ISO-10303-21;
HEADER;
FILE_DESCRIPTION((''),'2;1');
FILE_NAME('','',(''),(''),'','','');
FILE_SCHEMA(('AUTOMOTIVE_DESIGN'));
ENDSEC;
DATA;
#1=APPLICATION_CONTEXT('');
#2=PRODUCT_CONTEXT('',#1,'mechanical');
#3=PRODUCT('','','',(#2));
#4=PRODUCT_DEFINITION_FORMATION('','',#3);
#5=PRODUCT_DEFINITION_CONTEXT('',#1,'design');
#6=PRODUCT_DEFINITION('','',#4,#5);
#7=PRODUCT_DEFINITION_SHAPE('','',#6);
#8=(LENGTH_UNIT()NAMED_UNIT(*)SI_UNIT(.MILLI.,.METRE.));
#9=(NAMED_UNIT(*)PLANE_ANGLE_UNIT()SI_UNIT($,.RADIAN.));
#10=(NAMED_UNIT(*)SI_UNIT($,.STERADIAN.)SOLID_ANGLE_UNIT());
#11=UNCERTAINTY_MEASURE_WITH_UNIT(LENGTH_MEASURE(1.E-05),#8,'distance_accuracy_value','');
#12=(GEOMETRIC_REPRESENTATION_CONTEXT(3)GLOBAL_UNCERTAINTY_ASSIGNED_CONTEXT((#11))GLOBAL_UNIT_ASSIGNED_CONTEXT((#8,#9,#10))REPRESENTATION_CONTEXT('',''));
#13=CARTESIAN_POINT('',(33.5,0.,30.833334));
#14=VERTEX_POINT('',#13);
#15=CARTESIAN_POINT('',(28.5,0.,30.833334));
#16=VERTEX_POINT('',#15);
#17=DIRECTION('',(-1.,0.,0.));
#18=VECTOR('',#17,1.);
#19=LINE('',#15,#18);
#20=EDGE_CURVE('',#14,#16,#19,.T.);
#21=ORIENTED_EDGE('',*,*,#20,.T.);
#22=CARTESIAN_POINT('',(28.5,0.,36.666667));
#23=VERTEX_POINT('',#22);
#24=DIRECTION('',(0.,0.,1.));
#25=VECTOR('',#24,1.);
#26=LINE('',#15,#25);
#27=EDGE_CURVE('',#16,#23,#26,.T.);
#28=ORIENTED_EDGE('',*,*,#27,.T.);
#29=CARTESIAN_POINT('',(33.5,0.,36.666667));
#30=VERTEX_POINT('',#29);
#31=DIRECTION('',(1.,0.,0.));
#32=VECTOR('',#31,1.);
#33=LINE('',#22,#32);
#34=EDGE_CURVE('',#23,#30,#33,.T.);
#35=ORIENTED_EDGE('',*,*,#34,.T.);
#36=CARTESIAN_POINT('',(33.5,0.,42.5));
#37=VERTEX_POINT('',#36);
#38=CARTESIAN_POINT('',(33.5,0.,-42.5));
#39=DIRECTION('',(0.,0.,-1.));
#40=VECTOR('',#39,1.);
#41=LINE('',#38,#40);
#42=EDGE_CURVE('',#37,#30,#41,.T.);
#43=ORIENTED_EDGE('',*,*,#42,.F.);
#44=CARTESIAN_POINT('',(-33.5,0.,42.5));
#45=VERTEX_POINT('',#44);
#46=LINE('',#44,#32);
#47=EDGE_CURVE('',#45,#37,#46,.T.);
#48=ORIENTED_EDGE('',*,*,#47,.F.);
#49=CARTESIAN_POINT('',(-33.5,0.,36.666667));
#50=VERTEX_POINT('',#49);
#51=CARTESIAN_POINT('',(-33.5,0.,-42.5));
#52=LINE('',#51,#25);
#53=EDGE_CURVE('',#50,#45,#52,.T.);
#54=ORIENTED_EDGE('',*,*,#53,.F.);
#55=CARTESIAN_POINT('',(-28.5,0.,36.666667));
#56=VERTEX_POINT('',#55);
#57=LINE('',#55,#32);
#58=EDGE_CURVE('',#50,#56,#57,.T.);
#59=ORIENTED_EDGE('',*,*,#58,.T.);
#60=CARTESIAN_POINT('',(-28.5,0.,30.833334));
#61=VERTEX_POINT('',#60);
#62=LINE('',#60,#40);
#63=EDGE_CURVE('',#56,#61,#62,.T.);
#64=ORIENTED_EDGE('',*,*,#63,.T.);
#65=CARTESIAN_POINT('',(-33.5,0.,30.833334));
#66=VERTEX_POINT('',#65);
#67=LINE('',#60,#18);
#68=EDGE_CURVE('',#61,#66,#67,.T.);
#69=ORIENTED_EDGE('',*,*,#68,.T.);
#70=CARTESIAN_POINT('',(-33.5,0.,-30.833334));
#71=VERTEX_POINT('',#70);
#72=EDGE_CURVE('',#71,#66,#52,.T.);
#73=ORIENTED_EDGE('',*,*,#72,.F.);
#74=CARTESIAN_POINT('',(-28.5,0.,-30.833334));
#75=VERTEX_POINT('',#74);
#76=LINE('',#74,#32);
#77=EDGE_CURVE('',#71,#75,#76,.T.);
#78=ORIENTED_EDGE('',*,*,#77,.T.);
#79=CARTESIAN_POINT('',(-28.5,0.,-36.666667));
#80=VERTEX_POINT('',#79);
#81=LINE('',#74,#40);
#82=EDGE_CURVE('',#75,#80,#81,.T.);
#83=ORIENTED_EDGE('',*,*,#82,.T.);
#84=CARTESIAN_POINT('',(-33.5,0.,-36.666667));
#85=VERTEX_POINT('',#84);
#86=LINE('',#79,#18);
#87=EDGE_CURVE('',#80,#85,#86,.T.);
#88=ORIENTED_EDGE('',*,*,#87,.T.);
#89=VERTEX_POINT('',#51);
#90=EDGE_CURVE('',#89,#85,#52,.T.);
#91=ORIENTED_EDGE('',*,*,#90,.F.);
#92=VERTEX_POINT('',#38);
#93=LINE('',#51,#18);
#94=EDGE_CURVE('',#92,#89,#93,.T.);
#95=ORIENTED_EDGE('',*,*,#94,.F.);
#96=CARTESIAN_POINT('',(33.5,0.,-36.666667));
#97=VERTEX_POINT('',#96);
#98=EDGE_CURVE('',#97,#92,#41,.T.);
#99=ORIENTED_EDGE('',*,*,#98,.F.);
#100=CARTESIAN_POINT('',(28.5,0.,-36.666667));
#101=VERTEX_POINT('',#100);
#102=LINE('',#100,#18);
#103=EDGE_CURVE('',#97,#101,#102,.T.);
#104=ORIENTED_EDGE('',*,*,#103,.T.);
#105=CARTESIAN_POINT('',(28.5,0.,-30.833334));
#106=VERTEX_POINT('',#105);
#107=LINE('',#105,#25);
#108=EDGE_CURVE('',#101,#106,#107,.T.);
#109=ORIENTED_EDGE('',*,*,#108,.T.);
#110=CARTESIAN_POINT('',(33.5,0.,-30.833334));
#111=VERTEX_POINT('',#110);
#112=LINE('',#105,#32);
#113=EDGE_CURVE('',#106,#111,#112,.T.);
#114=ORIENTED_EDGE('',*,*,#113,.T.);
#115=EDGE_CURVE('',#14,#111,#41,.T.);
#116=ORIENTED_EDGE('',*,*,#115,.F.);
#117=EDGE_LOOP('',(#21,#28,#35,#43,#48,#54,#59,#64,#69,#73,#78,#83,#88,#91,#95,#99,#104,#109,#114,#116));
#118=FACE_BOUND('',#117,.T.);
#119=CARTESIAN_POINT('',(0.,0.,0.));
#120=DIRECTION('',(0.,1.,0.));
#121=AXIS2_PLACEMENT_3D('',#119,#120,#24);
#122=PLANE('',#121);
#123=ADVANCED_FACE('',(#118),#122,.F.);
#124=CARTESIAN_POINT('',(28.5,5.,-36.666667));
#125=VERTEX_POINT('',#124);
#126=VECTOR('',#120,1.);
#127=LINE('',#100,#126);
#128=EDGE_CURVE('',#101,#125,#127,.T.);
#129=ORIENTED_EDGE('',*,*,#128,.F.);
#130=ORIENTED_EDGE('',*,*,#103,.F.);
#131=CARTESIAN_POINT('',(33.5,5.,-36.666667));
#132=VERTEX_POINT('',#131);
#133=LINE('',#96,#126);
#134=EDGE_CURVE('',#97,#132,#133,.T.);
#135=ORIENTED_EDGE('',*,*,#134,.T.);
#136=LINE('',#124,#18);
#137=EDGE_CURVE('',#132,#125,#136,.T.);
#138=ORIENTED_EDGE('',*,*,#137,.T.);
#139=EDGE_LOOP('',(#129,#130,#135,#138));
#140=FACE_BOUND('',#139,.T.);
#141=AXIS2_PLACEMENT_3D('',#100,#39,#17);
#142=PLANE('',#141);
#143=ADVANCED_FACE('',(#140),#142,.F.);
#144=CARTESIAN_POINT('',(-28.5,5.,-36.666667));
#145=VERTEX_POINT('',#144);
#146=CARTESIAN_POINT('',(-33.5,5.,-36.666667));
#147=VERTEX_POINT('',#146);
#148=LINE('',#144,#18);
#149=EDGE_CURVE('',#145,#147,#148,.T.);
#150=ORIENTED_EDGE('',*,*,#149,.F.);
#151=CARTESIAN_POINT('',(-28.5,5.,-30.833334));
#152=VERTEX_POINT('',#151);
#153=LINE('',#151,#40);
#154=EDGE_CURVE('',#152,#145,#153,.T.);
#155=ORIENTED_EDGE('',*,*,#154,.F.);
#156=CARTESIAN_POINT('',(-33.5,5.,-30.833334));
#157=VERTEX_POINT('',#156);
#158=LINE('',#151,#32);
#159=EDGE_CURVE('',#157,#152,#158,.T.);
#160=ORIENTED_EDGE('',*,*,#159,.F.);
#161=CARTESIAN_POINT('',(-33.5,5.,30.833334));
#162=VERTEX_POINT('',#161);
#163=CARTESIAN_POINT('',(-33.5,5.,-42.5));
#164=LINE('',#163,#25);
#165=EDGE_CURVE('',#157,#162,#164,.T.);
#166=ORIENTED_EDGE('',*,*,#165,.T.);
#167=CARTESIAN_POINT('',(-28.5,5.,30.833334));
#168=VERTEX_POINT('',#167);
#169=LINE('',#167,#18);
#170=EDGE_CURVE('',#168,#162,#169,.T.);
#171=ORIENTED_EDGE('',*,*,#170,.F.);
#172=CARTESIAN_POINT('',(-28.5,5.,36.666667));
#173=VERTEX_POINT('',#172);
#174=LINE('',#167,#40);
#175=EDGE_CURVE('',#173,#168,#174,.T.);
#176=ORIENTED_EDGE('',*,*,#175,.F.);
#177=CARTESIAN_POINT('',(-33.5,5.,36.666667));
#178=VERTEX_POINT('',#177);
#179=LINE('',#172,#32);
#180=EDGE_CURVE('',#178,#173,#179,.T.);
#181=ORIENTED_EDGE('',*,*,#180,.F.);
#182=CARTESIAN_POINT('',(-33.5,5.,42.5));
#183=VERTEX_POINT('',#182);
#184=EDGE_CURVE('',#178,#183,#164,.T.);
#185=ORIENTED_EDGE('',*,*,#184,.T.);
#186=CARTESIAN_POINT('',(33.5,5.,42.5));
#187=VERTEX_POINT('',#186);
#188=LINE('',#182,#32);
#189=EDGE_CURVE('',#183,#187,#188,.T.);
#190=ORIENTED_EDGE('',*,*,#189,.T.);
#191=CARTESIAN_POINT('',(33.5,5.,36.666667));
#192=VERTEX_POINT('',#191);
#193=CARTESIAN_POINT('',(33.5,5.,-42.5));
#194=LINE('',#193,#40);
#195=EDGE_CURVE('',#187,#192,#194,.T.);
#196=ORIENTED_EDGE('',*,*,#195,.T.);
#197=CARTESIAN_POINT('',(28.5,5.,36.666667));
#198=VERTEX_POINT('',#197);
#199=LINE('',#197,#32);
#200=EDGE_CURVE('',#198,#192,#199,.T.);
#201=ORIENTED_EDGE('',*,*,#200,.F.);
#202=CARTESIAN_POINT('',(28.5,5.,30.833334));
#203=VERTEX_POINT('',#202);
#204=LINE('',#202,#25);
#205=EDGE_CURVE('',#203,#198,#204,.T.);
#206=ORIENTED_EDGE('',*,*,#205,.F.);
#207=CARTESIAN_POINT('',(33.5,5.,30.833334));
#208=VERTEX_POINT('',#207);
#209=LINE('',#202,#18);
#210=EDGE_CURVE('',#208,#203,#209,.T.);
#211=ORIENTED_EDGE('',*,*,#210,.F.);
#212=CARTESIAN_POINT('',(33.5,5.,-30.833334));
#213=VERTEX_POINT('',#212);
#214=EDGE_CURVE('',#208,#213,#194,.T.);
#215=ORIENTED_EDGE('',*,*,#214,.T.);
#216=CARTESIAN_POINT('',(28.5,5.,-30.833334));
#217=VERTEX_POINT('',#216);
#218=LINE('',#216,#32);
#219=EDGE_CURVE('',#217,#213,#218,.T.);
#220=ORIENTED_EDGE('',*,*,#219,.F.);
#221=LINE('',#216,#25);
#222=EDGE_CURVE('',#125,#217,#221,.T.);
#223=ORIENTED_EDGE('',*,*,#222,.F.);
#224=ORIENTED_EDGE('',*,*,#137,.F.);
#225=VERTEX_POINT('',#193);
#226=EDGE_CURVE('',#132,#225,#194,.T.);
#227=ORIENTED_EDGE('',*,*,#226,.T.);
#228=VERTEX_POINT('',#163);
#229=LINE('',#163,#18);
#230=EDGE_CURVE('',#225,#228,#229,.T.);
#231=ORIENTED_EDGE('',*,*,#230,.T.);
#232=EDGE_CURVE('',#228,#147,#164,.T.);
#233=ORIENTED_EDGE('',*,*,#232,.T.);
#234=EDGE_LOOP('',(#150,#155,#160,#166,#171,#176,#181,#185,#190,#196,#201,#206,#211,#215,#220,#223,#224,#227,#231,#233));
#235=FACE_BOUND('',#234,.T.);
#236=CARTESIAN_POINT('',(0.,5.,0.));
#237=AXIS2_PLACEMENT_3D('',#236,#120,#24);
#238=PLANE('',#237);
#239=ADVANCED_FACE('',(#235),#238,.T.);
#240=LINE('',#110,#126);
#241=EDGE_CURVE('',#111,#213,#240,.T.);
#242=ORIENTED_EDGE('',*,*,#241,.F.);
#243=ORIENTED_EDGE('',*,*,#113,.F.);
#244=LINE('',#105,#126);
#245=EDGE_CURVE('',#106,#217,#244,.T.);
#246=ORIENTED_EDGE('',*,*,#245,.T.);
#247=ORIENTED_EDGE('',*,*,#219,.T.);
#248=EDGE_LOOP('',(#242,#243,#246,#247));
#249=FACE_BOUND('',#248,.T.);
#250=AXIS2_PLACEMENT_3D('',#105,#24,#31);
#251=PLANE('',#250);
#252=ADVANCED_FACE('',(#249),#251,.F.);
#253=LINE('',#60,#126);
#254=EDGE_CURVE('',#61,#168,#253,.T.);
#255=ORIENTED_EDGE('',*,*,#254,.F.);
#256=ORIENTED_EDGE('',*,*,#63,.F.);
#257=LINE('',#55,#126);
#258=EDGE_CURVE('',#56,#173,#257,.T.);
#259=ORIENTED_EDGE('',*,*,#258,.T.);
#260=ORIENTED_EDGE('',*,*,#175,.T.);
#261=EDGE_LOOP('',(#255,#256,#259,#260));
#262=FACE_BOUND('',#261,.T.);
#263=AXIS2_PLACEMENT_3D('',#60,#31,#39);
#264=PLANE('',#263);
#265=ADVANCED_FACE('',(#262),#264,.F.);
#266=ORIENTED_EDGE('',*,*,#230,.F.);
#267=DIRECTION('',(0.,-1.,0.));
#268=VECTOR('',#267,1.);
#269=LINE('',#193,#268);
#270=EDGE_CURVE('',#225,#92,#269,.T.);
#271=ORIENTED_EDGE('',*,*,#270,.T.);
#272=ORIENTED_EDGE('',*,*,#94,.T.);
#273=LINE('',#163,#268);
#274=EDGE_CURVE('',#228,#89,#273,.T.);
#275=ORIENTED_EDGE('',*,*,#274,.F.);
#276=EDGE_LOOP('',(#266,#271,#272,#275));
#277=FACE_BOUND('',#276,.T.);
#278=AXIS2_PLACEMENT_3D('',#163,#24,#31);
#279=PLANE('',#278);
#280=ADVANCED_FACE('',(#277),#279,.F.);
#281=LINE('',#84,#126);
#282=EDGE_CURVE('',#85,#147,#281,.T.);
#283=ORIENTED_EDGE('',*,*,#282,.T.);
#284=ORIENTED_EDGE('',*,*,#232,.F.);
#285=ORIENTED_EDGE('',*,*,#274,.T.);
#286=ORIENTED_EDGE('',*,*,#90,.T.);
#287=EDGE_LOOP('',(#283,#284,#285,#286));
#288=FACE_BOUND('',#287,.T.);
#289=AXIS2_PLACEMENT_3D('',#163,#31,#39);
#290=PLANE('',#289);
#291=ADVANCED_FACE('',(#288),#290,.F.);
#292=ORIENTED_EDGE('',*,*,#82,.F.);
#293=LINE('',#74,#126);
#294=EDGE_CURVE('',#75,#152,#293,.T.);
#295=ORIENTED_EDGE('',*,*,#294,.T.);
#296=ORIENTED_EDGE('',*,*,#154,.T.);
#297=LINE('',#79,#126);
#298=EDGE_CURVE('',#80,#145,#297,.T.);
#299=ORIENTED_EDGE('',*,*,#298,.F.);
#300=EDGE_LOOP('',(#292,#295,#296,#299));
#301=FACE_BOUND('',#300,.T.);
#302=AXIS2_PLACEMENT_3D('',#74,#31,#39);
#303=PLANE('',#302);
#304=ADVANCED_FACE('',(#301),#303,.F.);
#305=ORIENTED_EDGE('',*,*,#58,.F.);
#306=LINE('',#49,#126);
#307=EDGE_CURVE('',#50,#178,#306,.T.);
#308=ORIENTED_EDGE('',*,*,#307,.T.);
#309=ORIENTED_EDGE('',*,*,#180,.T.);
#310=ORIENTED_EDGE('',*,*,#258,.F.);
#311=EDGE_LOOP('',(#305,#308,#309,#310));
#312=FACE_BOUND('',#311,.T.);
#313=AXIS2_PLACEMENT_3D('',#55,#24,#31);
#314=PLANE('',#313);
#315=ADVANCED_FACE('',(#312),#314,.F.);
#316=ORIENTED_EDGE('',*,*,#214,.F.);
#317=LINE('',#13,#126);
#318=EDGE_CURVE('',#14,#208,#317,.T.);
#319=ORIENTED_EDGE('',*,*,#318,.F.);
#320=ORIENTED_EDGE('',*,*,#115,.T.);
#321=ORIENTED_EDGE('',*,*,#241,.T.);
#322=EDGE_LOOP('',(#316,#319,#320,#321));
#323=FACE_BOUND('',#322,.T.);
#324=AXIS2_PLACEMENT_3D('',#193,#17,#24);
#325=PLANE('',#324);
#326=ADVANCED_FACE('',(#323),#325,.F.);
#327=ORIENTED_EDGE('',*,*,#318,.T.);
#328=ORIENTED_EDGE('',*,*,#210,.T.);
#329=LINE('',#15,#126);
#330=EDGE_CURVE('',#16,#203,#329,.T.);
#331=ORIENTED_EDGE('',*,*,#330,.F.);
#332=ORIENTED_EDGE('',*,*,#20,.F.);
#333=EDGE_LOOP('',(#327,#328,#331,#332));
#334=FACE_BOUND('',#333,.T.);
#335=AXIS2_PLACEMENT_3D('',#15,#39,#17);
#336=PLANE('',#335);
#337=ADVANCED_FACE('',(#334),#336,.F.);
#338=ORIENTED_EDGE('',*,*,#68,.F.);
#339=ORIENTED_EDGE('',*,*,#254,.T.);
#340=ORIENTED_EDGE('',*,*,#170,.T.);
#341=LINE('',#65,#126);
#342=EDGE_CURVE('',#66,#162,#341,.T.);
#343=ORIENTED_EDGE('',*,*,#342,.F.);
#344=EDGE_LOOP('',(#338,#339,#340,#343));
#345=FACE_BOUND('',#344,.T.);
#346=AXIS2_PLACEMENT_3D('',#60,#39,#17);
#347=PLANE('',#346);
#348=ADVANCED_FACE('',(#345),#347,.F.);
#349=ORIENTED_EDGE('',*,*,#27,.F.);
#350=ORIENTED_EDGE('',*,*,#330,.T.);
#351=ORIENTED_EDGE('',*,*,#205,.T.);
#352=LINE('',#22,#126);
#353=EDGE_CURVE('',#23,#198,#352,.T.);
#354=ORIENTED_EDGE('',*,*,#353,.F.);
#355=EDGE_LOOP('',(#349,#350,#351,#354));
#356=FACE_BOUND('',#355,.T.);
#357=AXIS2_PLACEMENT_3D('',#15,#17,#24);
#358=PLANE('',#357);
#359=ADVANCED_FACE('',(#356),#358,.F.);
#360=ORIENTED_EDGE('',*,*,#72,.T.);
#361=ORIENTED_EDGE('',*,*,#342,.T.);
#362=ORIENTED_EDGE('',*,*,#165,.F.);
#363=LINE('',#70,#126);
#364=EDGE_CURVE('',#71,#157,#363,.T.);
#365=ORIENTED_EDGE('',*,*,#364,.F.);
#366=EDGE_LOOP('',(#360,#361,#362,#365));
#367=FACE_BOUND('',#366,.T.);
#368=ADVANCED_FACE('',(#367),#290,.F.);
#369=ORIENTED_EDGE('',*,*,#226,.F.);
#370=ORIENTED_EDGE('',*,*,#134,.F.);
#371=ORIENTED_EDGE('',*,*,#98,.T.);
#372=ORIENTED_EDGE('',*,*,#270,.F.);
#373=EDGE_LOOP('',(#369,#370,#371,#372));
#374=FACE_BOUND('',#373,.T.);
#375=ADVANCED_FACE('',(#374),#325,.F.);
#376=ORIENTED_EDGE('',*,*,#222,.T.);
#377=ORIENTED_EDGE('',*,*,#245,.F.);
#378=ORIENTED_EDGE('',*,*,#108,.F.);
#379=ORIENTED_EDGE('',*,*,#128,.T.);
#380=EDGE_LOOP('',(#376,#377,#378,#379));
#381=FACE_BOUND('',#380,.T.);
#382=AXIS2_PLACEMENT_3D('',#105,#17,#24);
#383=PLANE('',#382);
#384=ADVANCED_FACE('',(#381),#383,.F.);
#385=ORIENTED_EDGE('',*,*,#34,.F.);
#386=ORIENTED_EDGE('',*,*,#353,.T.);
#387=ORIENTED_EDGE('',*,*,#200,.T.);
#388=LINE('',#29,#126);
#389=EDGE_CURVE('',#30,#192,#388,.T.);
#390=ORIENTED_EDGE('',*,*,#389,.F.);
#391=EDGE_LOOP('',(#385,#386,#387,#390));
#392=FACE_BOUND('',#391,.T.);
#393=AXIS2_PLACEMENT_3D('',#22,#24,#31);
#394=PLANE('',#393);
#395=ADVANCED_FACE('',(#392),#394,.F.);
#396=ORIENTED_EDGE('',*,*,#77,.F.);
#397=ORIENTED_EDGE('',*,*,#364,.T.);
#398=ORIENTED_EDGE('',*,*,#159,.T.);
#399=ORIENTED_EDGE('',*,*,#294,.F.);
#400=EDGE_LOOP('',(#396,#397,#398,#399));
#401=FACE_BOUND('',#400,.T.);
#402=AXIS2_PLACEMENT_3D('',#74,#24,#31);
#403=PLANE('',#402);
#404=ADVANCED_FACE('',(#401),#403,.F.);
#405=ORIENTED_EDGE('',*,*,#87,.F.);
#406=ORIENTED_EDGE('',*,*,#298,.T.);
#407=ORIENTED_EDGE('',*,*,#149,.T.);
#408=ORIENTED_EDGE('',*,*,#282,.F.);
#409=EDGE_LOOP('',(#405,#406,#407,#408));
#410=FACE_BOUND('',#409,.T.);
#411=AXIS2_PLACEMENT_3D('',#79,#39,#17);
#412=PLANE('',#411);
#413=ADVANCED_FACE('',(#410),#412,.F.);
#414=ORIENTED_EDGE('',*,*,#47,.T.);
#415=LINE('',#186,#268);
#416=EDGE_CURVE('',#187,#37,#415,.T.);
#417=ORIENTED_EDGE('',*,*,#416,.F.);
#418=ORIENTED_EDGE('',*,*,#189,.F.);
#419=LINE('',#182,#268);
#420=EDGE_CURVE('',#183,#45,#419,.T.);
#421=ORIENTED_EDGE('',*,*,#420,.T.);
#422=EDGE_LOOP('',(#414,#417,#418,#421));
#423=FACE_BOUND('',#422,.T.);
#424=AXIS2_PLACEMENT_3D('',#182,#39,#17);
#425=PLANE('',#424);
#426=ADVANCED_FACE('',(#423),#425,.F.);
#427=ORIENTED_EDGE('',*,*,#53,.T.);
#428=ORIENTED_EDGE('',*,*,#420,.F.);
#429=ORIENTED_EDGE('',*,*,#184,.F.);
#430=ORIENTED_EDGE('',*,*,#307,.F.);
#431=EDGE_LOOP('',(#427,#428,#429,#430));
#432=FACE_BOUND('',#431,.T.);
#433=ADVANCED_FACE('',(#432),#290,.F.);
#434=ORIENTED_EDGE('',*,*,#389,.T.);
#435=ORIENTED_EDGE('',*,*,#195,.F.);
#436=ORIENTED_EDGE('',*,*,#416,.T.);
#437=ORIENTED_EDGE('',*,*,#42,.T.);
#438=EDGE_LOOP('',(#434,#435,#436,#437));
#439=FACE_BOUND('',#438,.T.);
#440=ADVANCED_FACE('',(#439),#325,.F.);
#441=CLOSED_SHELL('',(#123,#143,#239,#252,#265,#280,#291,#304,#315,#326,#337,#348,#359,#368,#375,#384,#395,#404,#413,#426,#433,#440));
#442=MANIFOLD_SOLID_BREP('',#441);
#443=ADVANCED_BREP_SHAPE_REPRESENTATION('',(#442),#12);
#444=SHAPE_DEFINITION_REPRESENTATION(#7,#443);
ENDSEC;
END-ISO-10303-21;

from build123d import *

# Parameters (mm, degrees)
SKETCH1_W           = 67
SKETCH1_H           = 85
BOSS_EXTRUDE1_DEPTH = 5
SKETCH2_W           = 5
SKETCH2_H           = 5.833333
CUT_EXTRUDE1_DEPTH  = 55.346113016


with BuildPart() as part:
    # Sketch1 → Boss-Extrude1 (new body)
    with BuildSketch(Plane(origin=(0, 0, 0), x_dir=(1, 0, 0), z_dir=(0, 1, 0))):
        Rectangle(SKETCH1_W, SKETCH1_H)
    extrude(amount=BOSS_EXTRUDE1_DEPTH)

    # Sketch2 → Cut-Extrude1 (cut, through all)
    with BuildSketch(Plane(origin=(0, 5, 0), x_dir=(1, 0, 0), z_dir=(0, 1, 0))):
        with Locations((-31, -33.7500005)):
            Rectangle(SKETCH2_W, SKETCH2_H)
        with Locations((-31, 33.7500005)):
            Rectangle(SKETCH2_W, SKETCH2_H)
        with Locations((31, -33.7500005)):
            Rectangle(SKETCH2_W, SKETCH2_H)
        with Locations((31, 33.7500005)):
            Rectangle(SKETCH2_W, SKETCH2_H)
    extrude(amount=-CUT_EXTRUDE1_DEPTH, mode=Mode.SUBTRACT)


solid = part.part
